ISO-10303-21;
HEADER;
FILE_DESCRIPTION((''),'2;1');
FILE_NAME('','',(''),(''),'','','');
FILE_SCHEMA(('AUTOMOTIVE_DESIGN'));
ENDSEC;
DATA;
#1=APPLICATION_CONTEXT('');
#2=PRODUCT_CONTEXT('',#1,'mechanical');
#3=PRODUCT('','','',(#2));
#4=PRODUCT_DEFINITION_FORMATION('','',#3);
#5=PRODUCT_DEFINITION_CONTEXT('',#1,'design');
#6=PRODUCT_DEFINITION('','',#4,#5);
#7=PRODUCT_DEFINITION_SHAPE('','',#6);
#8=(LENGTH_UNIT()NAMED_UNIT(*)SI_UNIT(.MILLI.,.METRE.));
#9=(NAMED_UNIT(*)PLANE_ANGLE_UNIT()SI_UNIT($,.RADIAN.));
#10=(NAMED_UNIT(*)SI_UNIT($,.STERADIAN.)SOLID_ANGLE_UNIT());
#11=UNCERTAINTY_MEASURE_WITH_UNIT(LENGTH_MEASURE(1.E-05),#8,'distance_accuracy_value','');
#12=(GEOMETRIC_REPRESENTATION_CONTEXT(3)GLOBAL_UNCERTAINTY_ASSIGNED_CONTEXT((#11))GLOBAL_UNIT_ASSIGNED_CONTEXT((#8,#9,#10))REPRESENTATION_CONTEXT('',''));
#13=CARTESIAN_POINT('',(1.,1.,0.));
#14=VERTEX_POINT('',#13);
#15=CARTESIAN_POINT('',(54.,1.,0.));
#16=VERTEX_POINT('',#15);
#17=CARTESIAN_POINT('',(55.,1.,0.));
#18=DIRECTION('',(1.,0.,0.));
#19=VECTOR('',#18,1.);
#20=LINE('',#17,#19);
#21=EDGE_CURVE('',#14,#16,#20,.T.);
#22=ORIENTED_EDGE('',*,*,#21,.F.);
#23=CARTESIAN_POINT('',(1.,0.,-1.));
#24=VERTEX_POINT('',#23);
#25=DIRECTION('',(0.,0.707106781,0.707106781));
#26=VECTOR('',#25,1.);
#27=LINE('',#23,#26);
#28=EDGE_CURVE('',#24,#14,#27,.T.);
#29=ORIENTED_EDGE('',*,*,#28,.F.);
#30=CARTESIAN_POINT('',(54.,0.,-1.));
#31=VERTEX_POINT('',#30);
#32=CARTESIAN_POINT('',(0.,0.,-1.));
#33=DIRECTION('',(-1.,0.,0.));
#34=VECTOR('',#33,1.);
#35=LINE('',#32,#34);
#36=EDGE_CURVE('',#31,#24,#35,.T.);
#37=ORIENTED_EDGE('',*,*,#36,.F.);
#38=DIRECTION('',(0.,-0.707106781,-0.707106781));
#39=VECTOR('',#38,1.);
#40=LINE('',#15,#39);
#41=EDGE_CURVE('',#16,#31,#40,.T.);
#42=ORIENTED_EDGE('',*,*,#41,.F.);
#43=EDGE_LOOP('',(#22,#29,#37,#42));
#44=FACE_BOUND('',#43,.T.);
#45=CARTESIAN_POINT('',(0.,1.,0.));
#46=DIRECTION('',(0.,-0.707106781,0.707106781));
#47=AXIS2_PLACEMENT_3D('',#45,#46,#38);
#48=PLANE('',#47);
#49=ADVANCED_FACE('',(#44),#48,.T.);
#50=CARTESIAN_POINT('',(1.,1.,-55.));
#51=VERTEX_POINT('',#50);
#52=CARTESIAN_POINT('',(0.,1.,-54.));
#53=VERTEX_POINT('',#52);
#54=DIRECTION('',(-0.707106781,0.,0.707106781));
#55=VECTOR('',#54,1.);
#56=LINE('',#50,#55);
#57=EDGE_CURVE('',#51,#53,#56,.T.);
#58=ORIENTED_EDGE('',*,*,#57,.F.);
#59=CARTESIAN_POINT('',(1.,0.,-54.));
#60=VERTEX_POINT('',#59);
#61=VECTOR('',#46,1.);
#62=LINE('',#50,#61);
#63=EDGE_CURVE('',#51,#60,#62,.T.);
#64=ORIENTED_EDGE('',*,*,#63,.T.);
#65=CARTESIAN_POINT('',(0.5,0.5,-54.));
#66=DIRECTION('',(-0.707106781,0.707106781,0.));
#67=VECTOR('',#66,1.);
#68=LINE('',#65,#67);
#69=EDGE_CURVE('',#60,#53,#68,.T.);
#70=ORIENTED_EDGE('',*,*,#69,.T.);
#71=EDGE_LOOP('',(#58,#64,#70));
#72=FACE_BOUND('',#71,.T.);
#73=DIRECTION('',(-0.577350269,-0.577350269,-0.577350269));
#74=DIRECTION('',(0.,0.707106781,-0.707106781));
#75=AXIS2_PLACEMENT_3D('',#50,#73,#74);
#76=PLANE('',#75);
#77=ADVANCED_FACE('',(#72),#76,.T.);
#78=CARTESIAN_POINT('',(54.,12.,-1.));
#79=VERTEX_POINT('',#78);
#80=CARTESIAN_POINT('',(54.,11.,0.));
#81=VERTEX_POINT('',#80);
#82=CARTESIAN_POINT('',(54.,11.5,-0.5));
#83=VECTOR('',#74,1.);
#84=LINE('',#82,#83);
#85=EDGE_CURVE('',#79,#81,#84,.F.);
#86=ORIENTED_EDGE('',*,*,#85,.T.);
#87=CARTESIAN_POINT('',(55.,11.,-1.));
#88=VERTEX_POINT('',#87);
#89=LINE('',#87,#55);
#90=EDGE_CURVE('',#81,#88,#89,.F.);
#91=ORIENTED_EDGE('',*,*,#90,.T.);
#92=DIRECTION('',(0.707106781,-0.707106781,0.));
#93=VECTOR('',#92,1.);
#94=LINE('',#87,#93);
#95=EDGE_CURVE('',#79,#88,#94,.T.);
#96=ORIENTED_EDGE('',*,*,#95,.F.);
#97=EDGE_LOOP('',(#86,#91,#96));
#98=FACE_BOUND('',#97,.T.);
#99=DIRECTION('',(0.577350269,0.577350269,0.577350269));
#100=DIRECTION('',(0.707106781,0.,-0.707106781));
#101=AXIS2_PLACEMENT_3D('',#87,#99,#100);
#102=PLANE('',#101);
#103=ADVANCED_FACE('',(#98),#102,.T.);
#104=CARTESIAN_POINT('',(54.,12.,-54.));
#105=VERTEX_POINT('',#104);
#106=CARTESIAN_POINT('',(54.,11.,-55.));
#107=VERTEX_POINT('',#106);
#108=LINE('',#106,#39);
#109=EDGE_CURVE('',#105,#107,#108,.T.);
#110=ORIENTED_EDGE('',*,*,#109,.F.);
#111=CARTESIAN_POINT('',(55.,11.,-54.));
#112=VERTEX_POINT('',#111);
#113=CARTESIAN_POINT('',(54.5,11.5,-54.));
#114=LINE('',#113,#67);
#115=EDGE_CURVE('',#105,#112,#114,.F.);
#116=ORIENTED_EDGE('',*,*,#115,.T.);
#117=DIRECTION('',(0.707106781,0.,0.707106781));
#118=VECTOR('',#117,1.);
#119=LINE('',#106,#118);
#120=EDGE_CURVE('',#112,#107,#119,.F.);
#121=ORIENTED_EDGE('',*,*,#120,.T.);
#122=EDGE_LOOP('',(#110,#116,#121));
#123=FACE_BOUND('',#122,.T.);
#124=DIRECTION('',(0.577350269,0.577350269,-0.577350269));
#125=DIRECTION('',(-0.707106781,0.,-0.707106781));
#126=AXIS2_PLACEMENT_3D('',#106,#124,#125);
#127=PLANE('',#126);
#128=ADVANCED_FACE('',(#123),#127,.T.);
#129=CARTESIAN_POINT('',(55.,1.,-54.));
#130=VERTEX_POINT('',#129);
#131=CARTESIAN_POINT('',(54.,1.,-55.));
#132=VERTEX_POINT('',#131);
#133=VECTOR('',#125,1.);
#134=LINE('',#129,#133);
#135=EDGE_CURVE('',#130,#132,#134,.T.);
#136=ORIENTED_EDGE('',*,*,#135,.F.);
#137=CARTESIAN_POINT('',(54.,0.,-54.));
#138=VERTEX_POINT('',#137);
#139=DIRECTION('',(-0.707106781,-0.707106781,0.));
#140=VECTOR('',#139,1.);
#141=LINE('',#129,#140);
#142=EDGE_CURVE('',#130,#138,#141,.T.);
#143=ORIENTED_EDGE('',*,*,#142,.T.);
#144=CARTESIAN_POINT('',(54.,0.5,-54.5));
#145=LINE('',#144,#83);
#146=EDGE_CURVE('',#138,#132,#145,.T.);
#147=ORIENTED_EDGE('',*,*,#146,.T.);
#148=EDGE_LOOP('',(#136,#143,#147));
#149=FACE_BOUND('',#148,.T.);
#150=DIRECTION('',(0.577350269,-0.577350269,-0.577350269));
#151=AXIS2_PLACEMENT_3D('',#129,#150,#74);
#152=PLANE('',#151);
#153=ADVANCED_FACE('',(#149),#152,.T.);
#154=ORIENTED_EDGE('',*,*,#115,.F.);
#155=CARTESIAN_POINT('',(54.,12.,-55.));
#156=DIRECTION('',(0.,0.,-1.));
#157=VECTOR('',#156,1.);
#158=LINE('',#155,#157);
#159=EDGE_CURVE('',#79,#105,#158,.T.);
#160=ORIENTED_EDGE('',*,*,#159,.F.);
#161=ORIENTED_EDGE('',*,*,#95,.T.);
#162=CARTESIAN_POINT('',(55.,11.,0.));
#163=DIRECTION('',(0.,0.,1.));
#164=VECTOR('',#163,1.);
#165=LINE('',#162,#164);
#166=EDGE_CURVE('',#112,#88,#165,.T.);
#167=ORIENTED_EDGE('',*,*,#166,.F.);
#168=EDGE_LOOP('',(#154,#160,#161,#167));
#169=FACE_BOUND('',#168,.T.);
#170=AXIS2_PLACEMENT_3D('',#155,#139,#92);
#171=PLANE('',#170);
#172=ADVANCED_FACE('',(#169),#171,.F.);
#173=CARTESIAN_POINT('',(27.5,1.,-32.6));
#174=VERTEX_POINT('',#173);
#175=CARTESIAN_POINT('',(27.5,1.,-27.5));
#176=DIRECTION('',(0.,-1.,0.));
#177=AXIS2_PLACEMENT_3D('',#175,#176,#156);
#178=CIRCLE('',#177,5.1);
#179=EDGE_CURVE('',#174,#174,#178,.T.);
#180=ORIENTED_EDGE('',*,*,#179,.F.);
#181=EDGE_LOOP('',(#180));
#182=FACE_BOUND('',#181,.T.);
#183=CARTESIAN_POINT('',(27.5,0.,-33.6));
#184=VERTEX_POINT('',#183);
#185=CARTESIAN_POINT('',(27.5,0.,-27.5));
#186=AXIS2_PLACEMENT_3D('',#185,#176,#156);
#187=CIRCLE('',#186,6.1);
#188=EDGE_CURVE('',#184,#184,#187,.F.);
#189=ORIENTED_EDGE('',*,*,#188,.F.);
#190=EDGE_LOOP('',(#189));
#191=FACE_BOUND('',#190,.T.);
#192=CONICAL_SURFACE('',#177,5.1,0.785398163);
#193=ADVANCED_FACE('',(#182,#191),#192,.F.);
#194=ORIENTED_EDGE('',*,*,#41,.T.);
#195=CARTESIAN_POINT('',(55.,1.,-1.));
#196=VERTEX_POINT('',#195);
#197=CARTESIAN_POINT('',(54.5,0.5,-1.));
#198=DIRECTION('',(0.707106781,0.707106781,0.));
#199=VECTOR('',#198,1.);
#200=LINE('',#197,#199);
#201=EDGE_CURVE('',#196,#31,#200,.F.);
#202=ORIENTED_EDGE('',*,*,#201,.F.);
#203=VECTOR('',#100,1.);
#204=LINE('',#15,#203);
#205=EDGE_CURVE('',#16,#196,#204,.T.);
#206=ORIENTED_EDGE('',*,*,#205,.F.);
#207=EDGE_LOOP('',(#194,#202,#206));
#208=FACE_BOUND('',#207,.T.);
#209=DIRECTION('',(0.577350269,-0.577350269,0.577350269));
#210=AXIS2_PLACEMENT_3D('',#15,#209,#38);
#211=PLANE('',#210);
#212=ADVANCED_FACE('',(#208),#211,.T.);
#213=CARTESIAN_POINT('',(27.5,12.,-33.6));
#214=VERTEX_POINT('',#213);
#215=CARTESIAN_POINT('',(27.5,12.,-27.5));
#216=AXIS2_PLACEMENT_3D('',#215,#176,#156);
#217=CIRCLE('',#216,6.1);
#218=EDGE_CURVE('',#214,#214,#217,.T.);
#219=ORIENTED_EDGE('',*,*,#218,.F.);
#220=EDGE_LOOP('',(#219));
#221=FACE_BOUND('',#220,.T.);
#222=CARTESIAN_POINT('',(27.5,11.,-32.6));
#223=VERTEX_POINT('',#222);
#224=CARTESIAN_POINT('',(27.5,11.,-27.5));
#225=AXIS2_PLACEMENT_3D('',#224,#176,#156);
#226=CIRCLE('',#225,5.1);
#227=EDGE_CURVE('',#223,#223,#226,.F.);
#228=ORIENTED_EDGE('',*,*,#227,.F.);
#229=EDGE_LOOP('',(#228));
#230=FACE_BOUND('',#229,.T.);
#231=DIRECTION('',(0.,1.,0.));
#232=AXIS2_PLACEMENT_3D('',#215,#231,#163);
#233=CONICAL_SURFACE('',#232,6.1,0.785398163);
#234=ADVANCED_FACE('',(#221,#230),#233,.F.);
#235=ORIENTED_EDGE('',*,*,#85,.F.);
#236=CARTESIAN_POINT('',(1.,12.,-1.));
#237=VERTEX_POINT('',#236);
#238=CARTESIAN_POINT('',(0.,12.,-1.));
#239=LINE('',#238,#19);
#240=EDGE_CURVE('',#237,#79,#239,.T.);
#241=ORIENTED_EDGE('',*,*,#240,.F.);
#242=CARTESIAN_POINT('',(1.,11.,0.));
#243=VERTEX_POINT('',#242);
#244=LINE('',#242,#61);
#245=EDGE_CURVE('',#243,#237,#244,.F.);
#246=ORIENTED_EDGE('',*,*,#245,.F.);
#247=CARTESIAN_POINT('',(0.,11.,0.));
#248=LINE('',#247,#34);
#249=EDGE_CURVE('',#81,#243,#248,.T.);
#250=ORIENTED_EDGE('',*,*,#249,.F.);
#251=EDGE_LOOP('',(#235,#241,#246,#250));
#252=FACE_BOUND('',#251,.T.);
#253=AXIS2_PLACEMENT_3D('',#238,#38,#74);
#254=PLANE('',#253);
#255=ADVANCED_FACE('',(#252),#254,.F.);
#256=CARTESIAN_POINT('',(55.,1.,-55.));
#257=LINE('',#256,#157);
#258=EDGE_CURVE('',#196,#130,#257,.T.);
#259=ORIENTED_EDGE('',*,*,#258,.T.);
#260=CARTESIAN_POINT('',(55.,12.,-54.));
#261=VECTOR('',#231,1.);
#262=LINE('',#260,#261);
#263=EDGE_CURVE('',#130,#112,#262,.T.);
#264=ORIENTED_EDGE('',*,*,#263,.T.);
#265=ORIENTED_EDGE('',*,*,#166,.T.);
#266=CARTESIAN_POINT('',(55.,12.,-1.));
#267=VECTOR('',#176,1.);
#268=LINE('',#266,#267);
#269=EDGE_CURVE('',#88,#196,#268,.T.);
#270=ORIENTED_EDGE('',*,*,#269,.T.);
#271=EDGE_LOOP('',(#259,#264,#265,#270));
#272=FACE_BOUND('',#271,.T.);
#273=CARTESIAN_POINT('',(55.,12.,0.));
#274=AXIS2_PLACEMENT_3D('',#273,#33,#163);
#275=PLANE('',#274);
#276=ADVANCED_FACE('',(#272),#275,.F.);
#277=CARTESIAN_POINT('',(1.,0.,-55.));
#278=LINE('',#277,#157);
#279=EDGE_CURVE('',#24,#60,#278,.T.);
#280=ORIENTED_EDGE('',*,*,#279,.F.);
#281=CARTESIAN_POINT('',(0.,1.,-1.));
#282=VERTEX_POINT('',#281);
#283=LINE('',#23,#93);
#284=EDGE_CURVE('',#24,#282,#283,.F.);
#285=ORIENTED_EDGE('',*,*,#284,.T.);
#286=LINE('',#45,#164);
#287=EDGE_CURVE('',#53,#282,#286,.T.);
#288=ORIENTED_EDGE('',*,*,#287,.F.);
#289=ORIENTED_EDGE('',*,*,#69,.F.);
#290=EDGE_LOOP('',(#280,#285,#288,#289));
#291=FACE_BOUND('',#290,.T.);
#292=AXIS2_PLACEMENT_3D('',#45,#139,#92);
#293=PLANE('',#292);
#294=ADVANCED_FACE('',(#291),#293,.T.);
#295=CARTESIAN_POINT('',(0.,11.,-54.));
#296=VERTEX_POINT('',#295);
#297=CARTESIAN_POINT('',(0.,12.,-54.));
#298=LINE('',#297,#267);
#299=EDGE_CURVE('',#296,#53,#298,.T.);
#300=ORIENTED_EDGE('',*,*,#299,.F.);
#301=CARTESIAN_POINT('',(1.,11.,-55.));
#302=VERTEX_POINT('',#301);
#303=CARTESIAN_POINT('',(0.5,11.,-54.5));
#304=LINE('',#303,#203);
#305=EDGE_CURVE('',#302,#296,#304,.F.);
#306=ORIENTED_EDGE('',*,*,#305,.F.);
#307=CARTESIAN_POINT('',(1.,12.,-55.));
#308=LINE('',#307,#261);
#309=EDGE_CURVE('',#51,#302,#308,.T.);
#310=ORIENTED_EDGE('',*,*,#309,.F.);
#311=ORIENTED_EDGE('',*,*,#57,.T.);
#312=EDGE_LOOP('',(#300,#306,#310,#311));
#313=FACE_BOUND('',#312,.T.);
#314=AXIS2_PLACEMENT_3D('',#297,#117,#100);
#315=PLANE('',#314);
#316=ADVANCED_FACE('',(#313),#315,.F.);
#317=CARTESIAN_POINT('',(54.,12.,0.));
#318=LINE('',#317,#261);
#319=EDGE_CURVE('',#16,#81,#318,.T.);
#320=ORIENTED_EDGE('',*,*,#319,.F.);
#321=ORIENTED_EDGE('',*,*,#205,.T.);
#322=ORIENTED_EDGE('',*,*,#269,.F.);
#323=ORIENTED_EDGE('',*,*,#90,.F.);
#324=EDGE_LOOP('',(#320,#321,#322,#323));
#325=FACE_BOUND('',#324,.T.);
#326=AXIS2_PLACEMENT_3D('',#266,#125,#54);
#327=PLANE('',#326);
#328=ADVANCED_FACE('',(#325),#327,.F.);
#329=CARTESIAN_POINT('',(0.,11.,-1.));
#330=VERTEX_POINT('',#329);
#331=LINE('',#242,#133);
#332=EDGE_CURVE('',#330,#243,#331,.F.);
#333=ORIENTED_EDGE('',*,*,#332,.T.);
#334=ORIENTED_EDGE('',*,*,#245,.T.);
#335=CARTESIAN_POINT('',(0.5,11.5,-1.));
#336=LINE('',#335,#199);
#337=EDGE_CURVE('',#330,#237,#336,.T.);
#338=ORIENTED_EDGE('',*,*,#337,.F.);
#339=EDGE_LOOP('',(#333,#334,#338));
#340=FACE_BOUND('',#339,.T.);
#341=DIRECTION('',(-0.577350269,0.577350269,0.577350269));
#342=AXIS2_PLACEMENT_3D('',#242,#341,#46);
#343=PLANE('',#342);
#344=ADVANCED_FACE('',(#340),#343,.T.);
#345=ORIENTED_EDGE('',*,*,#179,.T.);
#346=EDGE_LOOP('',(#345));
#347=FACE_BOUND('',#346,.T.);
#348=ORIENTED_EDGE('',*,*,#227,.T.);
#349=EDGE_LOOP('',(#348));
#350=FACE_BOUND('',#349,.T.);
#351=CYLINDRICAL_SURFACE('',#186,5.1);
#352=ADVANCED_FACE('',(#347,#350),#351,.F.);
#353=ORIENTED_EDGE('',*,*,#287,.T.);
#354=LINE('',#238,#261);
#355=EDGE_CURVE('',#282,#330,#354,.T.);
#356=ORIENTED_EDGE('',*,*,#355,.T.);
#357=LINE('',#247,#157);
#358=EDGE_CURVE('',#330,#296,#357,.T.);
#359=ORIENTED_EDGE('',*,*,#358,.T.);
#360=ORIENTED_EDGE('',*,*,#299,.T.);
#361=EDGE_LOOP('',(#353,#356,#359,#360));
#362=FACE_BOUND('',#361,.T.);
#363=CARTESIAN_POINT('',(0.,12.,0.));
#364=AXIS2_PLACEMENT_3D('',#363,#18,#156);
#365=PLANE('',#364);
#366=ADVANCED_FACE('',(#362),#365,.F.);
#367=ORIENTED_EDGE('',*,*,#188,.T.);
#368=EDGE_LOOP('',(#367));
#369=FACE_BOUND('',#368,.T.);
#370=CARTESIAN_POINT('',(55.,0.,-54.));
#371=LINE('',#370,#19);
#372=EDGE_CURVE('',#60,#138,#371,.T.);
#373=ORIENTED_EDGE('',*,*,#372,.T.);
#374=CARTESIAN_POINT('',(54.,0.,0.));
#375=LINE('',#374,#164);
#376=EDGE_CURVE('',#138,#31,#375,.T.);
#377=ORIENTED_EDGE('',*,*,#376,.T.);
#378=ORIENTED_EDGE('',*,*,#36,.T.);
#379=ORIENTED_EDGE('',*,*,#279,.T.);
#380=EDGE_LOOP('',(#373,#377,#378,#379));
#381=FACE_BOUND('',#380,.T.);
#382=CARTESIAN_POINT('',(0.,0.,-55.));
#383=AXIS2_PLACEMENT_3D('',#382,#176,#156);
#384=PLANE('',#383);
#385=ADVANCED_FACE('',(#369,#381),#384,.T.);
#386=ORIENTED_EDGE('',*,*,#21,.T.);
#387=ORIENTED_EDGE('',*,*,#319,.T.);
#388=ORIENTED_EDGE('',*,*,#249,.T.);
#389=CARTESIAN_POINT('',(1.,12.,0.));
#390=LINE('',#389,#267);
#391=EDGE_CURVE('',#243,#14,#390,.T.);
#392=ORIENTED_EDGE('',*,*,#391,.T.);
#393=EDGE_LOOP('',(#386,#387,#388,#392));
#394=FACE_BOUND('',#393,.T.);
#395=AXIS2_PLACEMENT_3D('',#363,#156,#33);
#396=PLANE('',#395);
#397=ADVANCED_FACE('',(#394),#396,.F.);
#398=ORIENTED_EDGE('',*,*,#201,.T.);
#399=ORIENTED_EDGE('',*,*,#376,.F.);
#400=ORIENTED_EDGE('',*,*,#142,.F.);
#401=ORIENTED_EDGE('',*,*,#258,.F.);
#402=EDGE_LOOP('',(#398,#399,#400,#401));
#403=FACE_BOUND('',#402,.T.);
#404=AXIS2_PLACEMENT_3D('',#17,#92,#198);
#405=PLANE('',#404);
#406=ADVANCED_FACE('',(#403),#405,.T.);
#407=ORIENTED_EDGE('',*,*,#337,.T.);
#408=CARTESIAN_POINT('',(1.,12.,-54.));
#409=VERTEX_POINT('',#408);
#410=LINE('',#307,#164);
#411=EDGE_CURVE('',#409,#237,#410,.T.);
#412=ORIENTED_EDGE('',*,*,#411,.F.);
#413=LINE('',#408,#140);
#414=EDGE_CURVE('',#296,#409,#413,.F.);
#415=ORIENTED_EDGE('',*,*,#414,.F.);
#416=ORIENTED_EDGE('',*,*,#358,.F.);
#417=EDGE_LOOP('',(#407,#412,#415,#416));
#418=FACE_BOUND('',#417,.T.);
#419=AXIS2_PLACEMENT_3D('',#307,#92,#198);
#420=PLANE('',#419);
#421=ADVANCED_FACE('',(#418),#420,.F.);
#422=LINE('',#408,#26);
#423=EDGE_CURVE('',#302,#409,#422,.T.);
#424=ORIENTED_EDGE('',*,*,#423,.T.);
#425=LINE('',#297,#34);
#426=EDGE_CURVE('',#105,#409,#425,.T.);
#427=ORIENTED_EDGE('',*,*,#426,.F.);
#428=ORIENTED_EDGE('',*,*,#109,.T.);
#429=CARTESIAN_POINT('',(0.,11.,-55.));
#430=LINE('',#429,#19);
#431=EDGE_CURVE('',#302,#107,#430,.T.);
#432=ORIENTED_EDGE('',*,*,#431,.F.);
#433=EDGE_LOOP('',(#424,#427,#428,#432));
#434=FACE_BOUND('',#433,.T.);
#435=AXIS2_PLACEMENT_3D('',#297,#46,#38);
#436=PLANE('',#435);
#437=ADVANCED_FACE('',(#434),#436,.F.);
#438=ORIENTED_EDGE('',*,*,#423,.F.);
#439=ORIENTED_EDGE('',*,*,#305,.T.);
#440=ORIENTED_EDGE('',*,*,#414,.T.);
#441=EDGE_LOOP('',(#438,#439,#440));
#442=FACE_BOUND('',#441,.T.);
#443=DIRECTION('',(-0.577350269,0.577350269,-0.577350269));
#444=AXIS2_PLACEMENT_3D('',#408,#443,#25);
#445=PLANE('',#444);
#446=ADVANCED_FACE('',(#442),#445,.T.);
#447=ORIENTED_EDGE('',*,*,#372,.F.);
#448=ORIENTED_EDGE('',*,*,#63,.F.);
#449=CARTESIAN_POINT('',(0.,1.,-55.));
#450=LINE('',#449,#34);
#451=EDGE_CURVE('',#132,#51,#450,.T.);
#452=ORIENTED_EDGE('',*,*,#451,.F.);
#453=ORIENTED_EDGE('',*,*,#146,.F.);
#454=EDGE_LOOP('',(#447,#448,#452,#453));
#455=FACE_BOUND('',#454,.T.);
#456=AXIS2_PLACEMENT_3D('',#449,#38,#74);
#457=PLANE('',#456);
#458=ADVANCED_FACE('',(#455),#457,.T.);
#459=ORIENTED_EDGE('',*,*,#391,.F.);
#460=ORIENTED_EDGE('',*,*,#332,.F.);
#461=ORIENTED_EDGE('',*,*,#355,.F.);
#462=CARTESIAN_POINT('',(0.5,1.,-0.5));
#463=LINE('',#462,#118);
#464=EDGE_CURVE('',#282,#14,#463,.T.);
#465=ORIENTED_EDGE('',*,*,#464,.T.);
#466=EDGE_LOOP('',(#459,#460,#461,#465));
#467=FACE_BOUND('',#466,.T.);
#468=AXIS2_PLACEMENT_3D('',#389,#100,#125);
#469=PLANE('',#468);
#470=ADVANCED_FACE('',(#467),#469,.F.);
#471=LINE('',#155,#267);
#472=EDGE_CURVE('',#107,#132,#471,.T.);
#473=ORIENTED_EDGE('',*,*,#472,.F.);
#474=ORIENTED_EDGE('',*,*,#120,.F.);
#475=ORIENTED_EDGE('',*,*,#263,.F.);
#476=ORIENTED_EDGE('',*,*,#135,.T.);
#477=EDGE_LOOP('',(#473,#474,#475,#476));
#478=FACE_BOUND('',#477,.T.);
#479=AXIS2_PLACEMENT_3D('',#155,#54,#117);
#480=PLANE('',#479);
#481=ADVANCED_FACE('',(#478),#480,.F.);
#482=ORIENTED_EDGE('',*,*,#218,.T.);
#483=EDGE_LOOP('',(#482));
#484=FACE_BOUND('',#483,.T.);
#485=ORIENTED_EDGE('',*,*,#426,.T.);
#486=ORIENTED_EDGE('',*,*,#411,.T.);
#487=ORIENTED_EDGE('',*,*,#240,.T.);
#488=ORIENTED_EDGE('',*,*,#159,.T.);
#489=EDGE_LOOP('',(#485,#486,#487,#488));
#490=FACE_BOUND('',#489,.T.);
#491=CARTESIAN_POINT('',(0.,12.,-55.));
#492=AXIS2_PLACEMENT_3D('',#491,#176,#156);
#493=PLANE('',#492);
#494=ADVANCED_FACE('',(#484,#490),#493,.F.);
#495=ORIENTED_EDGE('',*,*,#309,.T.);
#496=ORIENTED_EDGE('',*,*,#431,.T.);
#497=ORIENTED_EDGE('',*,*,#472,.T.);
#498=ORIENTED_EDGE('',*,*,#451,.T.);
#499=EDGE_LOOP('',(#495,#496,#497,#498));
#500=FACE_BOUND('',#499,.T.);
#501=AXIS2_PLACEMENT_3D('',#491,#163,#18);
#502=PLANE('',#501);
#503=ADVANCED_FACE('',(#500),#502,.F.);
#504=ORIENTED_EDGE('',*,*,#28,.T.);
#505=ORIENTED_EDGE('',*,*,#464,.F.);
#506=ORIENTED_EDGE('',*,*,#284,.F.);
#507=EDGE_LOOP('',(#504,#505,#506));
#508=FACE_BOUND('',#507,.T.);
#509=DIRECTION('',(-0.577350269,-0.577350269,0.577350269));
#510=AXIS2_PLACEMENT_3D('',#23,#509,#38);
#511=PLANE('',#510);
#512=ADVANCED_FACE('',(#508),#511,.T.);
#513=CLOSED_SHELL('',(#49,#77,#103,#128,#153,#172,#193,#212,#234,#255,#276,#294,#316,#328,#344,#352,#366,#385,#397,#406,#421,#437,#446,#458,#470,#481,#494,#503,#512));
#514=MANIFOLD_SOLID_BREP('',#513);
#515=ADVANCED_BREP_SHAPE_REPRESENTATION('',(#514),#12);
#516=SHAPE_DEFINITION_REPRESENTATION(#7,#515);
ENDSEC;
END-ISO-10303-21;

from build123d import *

# Parameters (mm, degrees)
ESQUISSE1_W        = 55
ESQUISSE1_H        = 55
BOSS_EXTRU_1_DEPTH = 12
TROU_TARAUD_M121_D = 10.2
CHANFREIN1_SIZE    = 1


with BuildPart() as part:
    # Esquisse1 → Boss.-Extru.1 (new body)
    with BuildSketch(Plane(origin=(0, 0, 0), x_dir=(1, 0, 0), z_dir=(0, 1, 0))):
        with Locations((27.5, 27.5)):
            Rectangle(ESQUISSE1_W, ESQUISSE1_H)
    extrude(amount=BOSS_EXTRU_1_DEPTH)

    # Trou taraudé M121 (through all)
    with Locations(Plane.XZ):
        with Locations((27.5, -27.5)):
            Hole(TROU_TARAUD_M121_D / 2)

    # Chanfrein1
    chanfrein1_edges = [part.edges().sort_by_distance(p)[0] for p in [
        (55, 12, -27.5),
        (27.5, 12, -55),
        (32.6, 0, -27.5),
        (32.6, 12, -27.5),
        (0, 12, -27.5),
        (27.5, 0, -55),
        (55, 0, -27.5),
        (27.5, 0, 0),
        (0, 0, -27.5),
        (27.5, 12, 0),
        (0, 6, -55),
        (55, 6, -55),
        (55, 6, 0),
        (0, 6, 0),
    ]]
    chamfer(chanfrein1_edges, length=CHANFREIN1_SIZE)


solid = part.part
